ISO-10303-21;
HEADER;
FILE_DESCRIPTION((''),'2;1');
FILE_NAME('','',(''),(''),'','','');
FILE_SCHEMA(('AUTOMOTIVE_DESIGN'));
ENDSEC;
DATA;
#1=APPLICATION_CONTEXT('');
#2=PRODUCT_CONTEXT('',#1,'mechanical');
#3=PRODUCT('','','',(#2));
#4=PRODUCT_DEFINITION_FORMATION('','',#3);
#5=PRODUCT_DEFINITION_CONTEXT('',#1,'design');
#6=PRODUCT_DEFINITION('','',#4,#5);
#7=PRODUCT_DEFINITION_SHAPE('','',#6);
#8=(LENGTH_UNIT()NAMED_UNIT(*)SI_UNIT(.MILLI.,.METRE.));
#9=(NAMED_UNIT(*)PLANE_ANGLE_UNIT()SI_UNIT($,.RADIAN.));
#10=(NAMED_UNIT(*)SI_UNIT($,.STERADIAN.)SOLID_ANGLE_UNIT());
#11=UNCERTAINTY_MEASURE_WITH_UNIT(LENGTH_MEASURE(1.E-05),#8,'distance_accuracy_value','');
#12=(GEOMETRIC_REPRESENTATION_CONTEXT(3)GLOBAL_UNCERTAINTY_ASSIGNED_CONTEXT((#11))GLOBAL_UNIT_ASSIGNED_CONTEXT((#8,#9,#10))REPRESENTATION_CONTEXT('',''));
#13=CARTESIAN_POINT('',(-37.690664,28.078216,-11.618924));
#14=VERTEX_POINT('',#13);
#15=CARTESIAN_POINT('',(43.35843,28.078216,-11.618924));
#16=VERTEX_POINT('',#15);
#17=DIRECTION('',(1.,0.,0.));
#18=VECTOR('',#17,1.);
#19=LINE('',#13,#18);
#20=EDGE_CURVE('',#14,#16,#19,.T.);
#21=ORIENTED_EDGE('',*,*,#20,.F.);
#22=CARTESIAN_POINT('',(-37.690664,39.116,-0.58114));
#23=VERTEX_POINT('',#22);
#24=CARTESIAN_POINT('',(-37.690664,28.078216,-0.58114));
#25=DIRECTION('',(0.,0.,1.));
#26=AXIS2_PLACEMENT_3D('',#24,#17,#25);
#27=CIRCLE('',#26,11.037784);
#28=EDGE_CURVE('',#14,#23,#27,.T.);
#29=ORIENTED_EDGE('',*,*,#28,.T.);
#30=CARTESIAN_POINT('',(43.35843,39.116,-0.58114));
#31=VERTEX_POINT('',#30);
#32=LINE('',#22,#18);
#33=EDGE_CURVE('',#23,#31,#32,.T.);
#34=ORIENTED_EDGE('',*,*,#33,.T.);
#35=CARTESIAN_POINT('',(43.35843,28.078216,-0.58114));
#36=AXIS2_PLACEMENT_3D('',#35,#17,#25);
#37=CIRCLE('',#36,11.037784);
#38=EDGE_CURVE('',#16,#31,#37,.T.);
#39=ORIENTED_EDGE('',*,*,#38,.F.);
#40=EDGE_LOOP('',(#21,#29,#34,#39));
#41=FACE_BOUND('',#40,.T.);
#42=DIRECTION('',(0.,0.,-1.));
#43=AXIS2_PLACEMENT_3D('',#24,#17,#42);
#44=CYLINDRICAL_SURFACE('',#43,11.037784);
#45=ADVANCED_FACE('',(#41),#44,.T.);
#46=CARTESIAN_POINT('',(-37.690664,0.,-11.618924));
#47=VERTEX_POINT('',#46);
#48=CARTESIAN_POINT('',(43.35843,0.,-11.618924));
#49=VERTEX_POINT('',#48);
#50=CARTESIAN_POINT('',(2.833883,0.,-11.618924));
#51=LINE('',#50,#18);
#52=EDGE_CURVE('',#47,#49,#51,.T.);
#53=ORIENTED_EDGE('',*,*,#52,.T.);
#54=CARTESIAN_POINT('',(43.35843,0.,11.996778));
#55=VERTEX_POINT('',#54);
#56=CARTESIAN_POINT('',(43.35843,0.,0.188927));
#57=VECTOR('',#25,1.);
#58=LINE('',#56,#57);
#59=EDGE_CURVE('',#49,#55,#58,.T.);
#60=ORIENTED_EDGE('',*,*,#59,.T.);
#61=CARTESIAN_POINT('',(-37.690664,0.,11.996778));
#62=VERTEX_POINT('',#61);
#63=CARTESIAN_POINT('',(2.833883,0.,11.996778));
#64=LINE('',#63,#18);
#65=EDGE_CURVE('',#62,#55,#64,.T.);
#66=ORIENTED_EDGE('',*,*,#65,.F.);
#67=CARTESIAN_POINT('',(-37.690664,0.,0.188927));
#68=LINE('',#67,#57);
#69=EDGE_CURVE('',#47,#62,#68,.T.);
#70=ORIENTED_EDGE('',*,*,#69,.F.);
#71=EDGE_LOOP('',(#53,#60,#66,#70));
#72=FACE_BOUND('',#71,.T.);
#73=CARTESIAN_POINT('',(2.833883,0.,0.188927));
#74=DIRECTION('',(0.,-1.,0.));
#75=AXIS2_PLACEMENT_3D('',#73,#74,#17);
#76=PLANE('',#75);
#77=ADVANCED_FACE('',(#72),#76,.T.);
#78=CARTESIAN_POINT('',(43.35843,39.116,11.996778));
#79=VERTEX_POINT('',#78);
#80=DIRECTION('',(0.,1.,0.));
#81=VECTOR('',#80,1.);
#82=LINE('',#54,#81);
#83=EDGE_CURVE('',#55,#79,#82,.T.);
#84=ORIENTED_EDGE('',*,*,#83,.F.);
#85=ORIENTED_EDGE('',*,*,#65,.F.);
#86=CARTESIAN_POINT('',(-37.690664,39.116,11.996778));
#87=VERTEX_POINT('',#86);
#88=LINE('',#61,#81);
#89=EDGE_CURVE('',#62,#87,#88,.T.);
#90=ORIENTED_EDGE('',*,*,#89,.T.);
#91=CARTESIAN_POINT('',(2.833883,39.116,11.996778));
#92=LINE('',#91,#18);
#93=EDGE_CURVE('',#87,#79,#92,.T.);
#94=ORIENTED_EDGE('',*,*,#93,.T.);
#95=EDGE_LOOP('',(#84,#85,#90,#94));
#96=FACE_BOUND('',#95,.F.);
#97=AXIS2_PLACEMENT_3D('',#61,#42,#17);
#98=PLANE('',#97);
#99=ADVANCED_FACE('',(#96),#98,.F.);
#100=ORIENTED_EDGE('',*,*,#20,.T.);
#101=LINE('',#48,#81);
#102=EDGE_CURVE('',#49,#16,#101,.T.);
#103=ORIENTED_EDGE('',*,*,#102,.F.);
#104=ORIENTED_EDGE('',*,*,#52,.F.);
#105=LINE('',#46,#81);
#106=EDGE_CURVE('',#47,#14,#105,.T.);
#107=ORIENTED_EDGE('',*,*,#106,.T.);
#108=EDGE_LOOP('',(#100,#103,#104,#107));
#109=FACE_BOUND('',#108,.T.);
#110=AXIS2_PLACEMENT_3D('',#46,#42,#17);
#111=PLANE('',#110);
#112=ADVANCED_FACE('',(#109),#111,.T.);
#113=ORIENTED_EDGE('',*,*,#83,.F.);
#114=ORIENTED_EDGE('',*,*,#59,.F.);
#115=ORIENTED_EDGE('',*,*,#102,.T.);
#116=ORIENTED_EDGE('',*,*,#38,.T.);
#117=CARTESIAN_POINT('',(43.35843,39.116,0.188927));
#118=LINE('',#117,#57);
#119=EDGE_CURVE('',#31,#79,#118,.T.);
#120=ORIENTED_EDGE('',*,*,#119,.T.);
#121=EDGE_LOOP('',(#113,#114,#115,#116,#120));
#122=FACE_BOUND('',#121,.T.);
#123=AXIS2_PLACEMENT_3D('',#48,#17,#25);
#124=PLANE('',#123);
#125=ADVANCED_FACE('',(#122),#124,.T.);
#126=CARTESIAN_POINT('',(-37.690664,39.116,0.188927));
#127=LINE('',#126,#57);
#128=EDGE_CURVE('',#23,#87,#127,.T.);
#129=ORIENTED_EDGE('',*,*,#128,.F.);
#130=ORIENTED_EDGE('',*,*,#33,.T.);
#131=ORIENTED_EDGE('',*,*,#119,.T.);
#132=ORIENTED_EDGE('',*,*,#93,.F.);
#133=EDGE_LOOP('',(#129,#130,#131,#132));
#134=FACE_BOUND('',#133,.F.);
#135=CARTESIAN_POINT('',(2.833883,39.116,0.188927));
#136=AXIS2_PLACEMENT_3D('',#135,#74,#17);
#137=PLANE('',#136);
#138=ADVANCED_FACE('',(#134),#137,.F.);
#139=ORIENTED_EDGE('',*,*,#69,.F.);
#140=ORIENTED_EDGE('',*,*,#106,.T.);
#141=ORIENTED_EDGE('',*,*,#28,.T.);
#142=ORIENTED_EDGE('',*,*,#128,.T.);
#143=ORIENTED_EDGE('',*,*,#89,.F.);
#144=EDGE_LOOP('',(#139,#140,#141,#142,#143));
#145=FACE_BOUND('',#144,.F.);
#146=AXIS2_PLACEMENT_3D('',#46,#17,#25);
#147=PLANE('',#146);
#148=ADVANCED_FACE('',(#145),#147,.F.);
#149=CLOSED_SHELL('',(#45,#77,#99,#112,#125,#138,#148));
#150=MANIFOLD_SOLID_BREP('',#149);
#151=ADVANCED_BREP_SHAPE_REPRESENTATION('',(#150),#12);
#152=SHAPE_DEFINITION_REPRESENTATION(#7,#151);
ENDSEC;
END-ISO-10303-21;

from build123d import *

# Parameters (mm, degrees)
F0_W     = 81.049094
F0_H     = 23.615702
F1_DEPTH = 39.116
F2_R     = 11.037784


with BuildPart() as f1:
    # F0 (on Front) → F1 (new body)
    with BuildSketch(Plane.XZ):
        with Locations((2.833883, 0.188927)):
            Rectangle(F0_W, F0_H)
    extrude(amount=-F1_DEPTH)

    # F2
    f2_edges = [f1.edges().sort_by_distance(p)[0] for p in [
        (2.833883, 39.116, -11.618924),
    ]]
    fillet(f2_edges, radius=F2_R)


solid = f1.part
